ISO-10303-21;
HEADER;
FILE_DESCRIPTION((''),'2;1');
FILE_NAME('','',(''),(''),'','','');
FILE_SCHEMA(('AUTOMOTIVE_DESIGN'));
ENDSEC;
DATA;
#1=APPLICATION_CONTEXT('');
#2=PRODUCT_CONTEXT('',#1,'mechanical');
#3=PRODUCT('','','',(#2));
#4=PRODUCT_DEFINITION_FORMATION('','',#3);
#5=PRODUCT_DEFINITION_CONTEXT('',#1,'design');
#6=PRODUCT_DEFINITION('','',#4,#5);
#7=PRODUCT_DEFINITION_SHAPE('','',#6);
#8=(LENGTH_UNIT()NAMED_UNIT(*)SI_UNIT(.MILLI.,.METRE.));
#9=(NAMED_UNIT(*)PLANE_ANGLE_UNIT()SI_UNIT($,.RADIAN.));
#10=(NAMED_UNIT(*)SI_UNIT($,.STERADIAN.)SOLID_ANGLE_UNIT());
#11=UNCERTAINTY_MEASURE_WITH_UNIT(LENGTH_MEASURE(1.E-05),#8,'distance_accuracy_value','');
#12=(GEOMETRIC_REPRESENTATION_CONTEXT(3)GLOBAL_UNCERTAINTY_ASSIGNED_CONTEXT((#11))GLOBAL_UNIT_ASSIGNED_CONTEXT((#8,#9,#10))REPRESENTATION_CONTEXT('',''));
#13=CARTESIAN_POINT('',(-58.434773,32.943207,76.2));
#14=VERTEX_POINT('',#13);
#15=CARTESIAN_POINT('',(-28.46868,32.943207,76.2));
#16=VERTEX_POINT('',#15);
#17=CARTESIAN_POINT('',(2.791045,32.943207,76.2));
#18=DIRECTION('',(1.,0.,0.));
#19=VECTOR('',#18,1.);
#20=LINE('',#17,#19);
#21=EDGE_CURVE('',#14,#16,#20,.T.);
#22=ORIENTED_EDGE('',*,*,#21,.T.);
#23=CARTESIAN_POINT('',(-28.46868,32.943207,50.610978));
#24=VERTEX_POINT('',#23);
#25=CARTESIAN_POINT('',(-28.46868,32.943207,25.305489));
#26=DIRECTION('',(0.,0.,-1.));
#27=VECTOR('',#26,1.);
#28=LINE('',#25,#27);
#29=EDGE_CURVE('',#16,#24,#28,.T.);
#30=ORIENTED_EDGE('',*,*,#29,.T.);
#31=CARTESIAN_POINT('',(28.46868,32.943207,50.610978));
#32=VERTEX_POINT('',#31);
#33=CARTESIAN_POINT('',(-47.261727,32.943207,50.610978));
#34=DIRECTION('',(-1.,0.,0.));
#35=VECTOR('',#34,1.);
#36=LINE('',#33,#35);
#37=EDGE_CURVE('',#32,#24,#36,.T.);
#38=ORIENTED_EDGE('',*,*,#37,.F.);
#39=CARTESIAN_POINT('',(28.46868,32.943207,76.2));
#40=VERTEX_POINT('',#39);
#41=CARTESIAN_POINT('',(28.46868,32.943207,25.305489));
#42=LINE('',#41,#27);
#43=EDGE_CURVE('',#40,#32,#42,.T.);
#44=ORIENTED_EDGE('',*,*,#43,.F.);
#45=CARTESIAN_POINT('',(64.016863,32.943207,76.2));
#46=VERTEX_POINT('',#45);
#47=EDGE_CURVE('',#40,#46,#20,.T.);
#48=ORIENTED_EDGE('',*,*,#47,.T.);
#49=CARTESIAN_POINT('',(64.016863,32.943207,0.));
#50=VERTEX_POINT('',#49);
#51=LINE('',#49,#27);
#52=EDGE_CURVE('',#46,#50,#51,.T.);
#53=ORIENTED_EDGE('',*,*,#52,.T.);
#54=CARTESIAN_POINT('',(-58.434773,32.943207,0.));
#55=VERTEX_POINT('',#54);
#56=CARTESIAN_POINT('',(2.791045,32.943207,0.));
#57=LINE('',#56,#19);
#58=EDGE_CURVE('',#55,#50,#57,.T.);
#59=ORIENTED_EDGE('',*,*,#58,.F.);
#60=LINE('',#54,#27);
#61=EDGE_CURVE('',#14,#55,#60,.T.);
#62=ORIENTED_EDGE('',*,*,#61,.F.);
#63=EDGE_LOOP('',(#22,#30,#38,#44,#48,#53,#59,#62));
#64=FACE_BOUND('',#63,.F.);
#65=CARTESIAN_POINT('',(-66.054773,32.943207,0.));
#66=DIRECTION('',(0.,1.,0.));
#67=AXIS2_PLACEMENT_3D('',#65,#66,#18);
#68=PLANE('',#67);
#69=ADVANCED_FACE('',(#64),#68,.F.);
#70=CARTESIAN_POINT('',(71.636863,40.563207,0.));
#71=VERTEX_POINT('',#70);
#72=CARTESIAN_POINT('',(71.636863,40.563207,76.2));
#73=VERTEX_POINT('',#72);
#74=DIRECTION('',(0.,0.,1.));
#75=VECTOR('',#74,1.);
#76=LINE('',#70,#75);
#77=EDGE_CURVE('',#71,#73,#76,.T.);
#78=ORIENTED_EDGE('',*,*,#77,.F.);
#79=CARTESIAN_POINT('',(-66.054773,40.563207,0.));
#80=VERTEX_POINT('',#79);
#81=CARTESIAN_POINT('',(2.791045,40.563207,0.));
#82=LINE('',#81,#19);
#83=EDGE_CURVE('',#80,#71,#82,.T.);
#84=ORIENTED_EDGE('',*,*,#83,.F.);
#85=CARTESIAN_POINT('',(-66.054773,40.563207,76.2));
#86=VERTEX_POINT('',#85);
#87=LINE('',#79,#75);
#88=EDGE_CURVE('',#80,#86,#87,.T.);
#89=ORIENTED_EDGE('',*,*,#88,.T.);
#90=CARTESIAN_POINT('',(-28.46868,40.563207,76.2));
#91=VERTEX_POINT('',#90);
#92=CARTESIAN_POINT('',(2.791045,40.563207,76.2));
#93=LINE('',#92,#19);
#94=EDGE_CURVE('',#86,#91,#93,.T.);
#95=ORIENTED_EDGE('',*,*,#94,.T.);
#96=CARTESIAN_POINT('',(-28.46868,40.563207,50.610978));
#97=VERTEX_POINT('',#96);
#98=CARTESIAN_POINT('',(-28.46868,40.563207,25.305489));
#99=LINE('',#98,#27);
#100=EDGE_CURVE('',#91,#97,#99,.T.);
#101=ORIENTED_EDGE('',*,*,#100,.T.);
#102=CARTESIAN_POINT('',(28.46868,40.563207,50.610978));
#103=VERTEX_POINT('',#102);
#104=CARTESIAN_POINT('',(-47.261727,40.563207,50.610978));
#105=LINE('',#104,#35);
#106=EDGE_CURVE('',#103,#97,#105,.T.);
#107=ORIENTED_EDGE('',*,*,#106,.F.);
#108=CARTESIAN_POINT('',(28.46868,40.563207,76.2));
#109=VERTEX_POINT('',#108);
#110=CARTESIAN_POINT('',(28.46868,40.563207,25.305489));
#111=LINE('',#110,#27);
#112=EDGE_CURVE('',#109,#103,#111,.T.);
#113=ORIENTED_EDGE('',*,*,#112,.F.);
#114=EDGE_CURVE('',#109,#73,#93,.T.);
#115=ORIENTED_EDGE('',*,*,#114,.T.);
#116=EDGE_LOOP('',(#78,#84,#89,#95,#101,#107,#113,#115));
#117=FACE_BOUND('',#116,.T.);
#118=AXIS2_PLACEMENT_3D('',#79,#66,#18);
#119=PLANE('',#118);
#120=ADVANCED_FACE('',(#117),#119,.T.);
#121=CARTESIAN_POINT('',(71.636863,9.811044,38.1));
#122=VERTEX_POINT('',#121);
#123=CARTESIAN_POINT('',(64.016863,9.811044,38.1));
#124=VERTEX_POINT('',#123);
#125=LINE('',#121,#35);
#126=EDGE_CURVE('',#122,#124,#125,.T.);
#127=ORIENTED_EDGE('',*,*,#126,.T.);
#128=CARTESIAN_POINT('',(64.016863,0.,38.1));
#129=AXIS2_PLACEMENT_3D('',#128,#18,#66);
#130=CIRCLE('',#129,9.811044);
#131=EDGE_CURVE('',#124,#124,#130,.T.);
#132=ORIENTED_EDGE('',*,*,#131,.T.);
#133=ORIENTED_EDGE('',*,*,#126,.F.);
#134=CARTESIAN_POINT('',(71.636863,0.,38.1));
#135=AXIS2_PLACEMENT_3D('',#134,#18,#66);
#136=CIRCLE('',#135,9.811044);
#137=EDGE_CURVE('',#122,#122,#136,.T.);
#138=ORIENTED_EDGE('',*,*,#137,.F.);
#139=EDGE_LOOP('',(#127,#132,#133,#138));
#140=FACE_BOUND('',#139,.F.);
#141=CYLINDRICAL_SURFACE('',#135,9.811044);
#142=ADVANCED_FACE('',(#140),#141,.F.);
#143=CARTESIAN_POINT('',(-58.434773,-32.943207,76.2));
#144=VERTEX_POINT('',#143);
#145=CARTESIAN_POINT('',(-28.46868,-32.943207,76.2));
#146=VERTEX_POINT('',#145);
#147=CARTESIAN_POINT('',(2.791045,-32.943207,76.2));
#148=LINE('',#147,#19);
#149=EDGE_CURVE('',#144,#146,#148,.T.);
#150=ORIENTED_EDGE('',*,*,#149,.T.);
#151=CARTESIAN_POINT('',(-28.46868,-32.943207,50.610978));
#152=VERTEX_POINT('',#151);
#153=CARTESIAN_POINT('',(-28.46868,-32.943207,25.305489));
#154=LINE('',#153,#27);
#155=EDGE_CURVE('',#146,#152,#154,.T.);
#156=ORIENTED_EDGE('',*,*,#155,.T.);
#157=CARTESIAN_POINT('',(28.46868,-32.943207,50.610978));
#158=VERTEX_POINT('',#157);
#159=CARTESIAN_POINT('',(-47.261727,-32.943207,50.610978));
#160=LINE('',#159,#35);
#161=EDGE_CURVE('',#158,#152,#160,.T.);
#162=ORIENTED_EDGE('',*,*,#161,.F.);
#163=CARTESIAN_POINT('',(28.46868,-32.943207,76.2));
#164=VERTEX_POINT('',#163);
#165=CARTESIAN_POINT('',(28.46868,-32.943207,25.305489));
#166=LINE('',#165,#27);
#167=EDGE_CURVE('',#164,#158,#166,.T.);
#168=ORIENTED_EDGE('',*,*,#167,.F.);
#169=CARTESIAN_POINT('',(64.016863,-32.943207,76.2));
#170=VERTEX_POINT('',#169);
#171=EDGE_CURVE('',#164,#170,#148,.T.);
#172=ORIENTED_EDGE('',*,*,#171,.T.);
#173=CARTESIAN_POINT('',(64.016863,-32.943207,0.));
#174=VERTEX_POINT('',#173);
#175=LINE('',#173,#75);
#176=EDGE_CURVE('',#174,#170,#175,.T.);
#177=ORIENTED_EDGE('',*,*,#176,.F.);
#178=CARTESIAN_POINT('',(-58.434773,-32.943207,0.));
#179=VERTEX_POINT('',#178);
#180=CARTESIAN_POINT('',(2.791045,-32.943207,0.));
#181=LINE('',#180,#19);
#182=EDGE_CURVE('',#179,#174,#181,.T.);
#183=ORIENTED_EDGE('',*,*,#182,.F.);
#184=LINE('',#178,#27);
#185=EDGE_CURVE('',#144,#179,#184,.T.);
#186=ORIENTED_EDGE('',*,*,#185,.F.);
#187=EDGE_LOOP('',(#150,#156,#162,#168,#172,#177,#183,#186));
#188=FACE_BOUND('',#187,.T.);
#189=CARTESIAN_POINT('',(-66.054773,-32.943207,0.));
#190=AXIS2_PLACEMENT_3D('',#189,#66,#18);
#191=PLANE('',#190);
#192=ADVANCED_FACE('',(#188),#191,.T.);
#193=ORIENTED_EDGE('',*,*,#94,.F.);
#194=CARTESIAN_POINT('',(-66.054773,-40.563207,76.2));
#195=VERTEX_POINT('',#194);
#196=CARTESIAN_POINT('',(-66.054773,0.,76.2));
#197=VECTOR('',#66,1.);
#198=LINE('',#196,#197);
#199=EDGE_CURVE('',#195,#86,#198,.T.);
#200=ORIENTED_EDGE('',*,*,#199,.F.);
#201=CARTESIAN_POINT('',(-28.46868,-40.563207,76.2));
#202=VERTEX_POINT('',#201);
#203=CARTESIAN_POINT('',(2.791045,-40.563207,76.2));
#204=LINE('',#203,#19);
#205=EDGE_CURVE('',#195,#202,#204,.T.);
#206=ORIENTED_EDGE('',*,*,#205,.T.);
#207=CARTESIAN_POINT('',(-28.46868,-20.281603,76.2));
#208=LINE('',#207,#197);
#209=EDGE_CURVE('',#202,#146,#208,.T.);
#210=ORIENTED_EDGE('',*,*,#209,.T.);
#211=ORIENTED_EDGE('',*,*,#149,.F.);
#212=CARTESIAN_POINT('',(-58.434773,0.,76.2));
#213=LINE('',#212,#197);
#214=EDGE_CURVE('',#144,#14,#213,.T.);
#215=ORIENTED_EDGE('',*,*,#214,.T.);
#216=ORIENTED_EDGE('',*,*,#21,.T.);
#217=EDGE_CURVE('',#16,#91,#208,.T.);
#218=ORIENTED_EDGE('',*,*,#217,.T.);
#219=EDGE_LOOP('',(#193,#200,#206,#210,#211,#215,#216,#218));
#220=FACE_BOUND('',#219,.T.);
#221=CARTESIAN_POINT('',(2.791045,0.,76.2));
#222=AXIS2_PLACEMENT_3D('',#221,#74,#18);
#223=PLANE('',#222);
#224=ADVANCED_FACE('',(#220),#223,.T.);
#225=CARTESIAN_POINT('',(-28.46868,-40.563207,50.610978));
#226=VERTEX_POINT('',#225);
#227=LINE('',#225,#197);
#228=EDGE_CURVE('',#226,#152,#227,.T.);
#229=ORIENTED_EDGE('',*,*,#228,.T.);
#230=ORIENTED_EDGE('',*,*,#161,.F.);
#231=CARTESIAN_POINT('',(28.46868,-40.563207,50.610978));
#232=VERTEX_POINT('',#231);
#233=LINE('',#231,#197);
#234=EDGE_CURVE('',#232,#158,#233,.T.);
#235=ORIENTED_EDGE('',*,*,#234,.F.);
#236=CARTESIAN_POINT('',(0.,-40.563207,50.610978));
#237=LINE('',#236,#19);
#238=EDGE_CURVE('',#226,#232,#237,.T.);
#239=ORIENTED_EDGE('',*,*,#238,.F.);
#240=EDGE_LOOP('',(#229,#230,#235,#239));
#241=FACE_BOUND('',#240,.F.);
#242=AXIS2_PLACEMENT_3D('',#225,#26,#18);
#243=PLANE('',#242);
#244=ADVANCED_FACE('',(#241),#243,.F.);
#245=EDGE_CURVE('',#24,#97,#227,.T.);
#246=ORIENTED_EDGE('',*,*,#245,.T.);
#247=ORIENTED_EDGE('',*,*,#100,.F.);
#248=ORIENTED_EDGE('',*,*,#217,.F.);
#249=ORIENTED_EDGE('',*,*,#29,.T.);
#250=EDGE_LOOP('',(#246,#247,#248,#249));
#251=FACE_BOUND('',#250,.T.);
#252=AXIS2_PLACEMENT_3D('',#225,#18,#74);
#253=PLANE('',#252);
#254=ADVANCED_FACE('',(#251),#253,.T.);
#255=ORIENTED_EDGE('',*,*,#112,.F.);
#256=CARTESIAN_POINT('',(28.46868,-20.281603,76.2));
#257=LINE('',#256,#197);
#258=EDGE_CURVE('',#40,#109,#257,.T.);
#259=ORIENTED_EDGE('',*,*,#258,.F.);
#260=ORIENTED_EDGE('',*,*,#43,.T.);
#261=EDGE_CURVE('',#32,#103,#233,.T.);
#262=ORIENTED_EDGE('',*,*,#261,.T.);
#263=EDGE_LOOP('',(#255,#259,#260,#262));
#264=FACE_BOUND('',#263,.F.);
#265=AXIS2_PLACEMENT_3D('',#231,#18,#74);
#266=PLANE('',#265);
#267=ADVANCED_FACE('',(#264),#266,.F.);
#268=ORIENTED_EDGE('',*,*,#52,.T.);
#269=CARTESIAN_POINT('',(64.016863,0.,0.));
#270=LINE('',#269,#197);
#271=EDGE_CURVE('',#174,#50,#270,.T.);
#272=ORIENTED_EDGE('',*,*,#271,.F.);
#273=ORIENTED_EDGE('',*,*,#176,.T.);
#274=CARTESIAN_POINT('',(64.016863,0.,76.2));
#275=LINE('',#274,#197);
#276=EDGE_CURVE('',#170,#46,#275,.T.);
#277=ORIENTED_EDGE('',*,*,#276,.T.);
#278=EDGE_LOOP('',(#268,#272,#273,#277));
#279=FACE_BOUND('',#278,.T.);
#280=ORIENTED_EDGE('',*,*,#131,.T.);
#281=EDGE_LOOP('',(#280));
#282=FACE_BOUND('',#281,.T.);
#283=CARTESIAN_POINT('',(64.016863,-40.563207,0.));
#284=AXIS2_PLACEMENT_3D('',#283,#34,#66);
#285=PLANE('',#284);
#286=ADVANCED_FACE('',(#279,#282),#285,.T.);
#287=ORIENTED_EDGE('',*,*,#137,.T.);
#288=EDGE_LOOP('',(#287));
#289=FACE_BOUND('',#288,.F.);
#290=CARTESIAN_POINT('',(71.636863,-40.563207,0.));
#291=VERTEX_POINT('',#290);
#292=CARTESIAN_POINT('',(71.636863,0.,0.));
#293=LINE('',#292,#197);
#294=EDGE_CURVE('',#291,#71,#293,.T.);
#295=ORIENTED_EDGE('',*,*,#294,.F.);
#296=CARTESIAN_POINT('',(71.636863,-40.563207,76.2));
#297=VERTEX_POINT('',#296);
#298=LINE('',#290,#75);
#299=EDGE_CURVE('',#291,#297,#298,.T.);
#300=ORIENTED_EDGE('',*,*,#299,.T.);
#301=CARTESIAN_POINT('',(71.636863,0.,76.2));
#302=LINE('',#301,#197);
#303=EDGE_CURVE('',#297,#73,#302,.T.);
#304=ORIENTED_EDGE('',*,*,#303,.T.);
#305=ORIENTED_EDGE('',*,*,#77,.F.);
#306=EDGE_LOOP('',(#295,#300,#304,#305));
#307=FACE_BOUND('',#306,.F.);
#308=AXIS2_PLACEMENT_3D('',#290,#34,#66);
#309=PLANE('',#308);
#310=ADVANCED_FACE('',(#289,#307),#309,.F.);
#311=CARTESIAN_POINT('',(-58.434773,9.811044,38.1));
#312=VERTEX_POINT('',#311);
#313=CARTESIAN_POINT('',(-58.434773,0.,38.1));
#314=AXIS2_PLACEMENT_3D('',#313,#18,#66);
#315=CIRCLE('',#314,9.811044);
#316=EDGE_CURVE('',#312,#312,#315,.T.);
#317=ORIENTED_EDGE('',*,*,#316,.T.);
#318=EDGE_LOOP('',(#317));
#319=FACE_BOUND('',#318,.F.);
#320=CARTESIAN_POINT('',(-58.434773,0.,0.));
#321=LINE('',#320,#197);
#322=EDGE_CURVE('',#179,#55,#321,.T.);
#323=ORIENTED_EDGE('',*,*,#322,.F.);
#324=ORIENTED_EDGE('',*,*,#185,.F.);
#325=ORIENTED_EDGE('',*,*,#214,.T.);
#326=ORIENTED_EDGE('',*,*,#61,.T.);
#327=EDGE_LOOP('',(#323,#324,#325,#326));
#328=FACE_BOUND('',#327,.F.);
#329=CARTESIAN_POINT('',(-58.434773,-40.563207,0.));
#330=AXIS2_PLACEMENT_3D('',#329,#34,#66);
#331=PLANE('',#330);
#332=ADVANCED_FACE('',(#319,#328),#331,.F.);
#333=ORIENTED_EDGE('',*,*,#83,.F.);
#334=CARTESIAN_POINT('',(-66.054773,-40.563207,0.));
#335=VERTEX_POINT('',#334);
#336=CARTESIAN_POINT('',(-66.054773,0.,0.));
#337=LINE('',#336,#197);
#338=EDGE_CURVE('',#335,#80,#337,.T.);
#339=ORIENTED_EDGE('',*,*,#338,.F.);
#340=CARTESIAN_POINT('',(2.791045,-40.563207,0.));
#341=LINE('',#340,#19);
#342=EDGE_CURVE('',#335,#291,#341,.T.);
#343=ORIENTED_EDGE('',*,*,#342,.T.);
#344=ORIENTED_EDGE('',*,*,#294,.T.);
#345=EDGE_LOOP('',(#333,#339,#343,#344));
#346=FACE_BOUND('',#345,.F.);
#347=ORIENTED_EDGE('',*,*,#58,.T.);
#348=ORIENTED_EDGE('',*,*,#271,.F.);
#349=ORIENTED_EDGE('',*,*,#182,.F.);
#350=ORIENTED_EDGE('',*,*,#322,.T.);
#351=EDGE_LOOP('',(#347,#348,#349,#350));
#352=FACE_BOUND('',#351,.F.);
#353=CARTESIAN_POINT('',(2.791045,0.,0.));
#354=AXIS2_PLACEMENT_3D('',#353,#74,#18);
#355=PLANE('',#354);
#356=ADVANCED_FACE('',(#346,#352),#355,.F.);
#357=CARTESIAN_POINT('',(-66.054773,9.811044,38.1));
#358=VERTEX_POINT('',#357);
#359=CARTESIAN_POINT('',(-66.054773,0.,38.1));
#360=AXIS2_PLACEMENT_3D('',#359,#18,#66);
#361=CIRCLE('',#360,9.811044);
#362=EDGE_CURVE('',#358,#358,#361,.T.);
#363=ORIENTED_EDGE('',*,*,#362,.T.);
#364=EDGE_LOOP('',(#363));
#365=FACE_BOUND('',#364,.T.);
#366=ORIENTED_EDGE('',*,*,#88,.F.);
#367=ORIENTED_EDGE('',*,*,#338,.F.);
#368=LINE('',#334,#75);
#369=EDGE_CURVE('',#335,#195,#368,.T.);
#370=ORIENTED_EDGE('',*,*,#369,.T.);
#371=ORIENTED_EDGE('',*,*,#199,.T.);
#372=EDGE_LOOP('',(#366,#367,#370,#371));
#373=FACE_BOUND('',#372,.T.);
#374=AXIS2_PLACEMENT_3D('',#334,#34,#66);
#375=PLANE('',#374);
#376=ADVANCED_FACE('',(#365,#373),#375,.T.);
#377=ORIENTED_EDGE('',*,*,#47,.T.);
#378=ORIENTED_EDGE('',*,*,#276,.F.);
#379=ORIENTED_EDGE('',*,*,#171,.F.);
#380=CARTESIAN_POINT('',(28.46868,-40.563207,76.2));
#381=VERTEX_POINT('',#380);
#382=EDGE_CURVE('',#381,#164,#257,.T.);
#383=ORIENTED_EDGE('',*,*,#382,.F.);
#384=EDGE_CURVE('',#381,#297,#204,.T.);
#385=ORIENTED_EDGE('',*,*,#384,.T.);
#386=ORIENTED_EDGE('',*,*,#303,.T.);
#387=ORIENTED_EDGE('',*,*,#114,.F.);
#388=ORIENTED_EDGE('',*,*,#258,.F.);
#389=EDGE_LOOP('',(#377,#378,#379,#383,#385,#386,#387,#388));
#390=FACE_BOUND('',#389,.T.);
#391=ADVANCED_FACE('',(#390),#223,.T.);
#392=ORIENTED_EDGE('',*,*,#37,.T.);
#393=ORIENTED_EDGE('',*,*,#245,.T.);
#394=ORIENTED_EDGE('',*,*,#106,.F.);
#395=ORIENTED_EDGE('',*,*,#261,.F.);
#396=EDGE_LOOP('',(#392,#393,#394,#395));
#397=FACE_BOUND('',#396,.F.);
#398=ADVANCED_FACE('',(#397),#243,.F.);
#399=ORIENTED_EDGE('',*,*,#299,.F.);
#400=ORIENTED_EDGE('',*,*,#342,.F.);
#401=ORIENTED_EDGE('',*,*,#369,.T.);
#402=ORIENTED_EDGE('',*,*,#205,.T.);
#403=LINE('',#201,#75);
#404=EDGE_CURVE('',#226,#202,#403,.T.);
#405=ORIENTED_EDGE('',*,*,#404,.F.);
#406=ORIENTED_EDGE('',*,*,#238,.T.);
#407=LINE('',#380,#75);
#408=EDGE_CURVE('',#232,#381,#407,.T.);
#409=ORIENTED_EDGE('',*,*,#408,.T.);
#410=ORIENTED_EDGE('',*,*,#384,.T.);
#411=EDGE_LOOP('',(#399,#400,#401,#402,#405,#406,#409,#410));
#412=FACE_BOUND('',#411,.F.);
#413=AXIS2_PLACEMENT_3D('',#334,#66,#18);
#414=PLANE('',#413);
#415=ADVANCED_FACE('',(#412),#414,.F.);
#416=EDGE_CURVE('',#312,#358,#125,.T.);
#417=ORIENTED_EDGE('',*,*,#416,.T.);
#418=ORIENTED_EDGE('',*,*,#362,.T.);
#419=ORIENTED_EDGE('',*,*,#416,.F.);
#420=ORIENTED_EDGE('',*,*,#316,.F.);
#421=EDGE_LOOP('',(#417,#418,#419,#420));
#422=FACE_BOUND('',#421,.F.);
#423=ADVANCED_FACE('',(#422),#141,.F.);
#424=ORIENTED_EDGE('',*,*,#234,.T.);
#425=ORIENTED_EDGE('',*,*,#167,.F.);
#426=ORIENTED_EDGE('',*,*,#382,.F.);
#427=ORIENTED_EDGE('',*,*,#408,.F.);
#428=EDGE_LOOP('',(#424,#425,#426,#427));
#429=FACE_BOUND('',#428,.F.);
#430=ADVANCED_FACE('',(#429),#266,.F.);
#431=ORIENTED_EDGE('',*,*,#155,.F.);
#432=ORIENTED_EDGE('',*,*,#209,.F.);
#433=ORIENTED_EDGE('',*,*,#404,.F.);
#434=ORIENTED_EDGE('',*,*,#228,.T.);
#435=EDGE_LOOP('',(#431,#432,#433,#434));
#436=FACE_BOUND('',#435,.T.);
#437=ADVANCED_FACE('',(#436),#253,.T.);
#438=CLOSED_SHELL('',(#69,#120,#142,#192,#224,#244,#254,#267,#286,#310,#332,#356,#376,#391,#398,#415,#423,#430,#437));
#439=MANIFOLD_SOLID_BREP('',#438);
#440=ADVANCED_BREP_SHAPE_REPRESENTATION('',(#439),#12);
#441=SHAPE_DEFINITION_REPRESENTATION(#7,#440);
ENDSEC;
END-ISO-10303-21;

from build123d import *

# Parameters (mm, degrees)
F0_W     = 137.691636
F0_H     = 81.126414
F1_DEPTH = 76.2
F2_T     = -7.62
F3_W     = 56.93736
F3_H     = 51.178044
F4_DEPTH = 81.127414
F5_R     = 9.811044
F6_DEPTH = 137.692636


with BuildPart() as f1:
    # F0 (on Top) → F1 (new body)
    with BuildSketch(Plane.XY):
        with Locations((2.791045, 0)):
            Rectangle(F0_W, F0_H)
    extrude(amount=F1_DEPTH)

    # F2
    f2_openings = [f1.faces().sort_by_distance(p)[0] for p in [
        (2.791045, 0, 76.2),
        (2.791045, 0, 0),
    ]]
    offset(amount=F2_T, openings=f2_openings)

    # F3 (on face) → F4 (cut, through all)
    with BuildSketch(Plane.XZ.offset(40.563207)):
        with Locations((0, 76.2)):
            Rectangle(F3_W, F3_H)
    extrude(amount=-F4_DEPTH, mode=Mode.SUBTRACT)

    # F5 (on face) → F6 (cut, through all)
    with BuildSketch(Plane.YZ.offset(71.636863)):
        with Locations((0, 38.1)):
            Circle(F5_R)
    extrude(amount=-F6_DEPTH, mode=Mode.SUBTRACT)


solid = f1.part
